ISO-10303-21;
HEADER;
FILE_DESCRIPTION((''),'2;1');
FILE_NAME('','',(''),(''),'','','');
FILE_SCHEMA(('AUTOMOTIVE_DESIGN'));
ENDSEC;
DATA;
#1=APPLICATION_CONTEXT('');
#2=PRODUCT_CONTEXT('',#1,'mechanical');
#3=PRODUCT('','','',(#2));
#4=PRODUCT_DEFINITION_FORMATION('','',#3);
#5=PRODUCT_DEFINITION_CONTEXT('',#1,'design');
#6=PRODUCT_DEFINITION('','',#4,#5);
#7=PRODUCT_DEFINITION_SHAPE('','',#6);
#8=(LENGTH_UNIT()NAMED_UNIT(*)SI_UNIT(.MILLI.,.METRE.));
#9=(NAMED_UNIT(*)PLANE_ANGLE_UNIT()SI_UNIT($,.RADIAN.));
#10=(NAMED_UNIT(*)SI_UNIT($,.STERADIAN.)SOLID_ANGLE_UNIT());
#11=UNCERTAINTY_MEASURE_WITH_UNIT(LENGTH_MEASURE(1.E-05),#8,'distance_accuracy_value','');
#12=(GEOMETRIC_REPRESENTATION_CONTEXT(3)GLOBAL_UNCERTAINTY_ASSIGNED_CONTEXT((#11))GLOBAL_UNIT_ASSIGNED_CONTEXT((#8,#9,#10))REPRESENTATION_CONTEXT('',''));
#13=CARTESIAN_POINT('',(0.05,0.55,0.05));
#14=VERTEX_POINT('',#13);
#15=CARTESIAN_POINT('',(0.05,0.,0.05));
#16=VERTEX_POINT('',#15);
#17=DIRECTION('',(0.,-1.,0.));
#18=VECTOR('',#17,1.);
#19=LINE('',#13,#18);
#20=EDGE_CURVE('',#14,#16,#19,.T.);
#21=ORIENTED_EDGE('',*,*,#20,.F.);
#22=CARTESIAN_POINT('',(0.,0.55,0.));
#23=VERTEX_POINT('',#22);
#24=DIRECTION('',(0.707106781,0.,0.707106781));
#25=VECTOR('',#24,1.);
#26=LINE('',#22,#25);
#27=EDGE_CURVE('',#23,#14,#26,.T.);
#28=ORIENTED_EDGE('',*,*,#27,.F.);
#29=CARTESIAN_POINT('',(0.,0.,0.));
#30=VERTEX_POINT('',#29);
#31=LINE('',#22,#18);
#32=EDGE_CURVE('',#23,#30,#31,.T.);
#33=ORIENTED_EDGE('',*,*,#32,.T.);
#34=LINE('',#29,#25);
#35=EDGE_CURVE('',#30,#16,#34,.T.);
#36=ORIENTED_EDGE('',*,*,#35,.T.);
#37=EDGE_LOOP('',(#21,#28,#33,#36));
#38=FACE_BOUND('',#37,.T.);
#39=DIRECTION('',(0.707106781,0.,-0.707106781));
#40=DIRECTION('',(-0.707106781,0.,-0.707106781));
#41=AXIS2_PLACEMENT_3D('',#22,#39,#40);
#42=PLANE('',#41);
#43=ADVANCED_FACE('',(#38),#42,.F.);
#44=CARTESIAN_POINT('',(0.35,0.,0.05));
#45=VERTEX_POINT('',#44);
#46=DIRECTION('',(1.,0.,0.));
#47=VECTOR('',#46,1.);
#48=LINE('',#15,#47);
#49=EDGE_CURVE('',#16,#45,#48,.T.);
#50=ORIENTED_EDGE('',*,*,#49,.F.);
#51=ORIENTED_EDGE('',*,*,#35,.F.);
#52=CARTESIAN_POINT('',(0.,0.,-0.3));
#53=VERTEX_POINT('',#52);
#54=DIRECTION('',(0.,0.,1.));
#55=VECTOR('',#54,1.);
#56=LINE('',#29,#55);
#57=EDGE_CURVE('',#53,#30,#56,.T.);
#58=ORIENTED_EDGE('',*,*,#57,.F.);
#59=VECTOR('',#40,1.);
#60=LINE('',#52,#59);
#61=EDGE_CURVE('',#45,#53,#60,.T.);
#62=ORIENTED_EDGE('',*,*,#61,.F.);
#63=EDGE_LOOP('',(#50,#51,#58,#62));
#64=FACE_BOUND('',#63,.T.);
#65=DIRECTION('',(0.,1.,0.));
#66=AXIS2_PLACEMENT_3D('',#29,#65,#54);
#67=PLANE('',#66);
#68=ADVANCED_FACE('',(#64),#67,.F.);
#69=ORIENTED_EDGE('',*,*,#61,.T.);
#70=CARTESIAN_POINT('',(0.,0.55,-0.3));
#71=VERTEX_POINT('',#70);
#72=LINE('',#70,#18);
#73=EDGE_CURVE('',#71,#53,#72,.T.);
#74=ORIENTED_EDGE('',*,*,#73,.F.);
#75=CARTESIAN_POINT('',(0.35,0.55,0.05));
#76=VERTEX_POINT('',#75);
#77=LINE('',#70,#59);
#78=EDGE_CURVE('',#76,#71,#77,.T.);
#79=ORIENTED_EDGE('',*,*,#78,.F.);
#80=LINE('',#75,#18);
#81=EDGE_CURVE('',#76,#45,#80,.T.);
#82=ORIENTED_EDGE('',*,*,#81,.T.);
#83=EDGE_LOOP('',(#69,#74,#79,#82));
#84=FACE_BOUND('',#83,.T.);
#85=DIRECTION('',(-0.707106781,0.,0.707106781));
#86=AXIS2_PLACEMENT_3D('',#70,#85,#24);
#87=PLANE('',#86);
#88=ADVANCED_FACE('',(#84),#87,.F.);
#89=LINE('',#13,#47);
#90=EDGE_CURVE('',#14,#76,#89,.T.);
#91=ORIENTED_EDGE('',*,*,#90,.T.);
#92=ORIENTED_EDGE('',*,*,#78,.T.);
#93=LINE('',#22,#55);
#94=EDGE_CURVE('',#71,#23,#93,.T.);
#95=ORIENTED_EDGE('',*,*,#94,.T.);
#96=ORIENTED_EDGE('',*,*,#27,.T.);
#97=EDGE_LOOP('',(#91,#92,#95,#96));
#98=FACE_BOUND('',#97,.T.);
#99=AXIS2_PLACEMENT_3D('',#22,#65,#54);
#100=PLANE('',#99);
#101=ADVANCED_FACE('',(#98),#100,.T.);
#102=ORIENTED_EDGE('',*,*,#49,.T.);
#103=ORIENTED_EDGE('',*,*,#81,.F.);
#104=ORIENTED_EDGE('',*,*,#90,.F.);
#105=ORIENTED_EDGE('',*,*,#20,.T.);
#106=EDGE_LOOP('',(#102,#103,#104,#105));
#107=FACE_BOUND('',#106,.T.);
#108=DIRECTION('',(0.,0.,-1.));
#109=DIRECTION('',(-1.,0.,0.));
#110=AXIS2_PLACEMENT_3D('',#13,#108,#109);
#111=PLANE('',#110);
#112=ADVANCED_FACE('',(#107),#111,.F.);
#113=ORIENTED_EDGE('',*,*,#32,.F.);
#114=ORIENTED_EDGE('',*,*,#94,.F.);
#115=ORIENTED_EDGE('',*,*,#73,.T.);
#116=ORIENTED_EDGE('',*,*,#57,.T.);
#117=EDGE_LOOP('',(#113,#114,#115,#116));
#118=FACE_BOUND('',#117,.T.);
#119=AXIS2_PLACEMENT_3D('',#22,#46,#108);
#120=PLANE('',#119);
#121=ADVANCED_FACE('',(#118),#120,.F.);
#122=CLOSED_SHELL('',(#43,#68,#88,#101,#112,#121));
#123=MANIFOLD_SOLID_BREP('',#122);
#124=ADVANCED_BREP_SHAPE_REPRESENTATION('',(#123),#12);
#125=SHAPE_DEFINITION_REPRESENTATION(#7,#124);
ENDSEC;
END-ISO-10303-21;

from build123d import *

# Parameters (mm, degrees)
BOSS_EXTRUDE1_DEPTH = 0.55


with BuildPart() as part:
    # Sketch1 → Boss-Extrude1 (new body)
    with BuildSketch(Plane(origin=(0, 0, 0), x_dir=(1, 0, 0), z_dir=(0, 1, 0))):
        Polygon((0, 0), (0, 0.3), (0.35, -0.05), (0.05, -0.05), align=None)
    extrude(amount=BOSS_EXTRUDE1_DEPTH)


solid = part.part
